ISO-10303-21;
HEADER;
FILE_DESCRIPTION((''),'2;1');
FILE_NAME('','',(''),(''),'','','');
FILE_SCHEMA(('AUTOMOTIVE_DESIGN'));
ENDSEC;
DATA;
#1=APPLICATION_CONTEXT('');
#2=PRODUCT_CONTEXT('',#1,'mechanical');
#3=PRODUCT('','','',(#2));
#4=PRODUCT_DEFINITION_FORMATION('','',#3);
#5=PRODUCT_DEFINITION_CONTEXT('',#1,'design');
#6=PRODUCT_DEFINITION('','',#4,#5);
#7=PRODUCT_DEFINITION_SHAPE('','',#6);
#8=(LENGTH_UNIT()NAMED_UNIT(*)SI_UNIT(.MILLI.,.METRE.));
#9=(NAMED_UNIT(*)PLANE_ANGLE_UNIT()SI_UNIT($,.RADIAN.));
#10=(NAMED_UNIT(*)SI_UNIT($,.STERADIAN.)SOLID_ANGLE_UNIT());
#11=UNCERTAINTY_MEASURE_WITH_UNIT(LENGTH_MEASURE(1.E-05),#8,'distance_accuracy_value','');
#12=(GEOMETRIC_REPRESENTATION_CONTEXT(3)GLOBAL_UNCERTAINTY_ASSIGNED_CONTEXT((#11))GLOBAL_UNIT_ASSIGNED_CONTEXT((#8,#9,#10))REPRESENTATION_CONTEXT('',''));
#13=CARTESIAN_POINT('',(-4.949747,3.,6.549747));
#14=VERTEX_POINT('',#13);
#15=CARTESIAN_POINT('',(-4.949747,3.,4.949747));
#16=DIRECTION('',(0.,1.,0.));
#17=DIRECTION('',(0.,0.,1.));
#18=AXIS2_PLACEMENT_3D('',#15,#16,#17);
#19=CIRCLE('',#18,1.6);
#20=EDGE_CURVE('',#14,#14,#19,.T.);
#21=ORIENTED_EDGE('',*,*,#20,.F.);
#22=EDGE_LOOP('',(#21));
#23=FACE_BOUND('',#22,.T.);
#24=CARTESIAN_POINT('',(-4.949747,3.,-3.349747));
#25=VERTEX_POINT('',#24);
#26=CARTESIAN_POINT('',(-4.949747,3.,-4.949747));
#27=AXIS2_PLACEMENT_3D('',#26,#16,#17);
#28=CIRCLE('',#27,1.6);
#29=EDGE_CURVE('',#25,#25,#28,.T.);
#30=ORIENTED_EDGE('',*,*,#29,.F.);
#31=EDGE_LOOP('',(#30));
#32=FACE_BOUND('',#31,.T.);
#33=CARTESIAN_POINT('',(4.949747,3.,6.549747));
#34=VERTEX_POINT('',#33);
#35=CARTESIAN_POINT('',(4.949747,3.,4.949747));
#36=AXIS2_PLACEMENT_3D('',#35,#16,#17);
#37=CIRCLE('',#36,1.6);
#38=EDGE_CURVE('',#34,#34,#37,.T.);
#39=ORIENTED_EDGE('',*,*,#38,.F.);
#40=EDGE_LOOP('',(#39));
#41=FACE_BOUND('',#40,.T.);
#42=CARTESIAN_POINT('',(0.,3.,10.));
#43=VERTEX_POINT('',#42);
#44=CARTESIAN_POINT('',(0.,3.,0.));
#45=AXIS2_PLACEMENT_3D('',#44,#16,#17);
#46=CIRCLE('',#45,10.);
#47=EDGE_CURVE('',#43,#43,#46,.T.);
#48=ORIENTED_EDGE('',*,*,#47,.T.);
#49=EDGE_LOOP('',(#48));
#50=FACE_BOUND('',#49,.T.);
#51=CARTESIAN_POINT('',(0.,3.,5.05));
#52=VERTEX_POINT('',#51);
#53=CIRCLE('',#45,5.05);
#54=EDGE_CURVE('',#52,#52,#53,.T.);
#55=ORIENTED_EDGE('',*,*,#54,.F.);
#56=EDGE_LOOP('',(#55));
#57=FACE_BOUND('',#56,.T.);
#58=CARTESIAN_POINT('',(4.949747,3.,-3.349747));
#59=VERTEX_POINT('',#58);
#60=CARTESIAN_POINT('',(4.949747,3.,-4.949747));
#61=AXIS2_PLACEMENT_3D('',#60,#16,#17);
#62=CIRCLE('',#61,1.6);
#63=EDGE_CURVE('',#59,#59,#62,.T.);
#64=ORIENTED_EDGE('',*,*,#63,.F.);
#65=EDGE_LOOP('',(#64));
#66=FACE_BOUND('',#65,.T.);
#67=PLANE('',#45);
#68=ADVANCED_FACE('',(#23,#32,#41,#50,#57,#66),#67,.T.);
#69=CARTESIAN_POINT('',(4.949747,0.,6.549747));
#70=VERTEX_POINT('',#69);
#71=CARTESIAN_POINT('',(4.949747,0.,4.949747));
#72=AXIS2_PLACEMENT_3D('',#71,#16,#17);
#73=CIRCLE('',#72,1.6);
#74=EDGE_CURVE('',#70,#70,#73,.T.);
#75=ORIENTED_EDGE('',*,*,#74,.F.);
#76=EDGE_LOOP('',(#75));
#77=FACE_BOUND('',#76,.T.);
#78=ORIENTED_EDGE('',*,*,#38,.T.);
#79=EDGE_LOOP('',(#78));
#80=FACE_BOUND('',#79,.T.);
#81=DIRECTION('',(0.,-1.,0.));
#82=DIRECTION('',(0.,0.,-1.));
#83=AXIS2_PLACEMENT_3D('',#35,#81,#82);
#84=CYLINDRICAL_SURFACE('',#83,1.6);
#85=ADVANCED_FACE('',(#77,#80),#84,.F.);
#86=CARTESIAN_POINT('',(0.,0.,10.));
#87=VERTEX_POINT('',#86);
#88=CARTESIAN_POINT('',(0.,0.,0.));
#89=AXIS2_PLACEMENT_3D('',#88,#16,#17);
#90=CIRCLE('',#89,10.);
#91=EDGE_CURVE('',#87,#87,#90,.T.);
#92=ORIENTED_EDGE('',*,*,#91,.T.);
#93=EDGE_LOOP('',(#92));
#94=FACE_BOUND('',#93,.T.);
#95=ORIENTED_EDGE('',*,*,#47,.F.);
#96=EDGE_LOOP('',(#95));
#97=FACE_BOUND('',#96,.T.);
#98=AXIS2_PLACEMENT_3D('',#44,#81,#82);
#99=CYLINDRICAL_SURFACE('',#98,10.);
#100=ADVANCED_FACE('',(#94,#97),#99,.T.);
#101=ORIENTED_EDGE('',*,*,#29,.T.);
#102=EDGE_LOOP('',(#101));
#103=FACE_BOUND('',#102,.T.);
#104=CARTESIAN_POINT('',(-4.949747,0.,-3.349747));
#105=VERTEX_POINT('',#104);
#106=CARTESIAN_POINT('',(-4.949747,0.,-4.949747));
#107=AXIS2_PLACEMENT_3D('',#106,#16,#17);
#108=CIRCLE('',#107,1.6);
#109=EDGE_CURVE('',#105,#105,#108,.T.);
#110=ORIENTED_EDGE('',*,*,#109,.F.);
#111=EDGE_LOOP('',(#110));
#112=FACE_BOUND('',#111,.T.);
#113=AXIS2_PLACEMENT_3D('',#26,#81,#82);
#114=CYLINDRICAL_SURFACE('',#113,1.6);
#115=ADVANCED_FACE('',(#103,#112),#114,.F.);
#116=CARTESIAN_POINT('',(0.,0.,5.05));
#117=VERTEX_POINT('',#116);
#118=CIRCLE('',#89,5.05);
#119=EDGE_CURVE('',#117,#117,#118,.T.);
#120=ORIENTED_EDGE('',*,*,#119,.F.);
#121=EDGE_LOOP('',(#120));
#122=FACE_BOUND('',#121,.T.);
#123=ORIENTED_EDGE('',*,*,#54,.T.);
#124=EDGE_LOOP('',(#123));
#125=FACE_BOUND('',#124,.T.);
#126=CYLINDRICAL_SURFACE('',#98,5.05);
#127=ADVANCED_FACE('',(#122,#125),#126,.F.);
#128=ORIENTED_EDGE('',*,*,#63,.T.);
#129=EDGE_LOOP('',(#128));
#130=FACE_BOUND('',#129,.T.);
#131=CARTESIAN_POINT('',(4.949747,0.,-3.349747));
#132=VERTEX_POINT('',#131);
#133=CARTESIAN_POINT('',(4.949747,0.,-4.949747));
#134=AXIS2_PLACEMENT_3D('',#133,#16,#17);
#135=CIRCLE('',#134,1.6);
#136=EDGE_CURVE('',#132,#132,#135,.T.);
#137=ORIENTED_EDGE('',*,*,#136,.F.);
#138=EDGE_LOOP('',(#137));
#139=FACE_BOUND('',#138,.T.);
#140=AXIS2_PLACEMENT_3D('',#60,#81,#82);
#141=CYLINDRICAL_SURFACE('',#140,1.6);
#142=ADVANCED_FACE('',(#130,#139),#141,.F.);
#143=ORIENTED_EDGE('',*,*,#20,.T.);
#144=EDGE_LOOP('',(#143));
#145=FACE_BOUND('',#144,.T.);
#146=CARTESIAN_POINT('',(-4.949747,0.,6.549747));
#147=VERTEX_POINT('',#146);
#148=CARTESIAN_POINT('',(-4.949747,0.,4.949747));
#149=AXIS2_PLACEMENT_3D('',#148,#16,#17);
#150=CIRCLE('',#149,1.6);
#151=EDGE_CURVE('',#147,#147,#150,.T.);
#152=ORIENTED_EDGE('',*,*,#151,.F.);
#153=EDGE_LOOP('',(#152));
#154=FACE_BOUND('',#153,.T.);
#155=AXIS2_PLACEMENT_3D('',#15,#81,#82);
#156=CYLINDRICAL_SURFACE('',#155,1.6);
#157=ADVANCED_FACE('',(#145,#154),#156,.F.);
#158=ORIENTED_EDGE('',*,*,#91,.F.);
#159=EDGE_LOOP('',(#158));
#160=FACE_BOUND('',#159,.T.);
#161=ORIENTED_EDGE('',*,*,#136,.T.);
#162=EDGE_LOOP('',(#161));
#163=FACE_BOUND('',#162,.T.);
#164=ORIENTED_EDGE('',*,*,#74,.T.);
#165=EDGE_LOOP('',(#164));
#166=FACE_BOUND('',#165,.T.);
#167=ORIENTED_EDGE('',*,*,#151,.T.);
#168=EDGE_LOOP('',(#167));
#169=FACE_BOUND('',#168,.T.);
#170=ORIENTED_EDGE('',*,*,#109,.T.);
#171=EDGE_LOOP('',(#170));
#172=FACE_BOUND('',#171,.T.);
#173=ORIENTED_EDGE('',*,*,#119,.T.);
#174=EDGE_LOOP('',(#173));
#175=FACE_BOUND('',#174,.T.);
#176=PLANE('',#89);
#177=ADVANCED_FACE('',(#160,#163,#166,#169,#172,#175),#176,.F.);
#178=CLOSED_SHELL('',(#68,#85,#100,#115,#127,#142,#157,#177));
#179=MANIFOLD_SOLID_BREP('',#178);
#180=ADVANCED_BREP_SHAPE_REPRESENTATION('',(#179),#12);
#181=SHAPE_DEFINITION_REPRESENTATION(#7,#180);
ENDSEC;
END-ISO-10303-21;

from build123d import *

# Parameters (mm, degrees)
SKETCH_1_R      = 10
SKETCH_1_R_2    = 5.05
SKETCH_1_R_3    = 1.6
EXTRUDE_1_DEPTH = 3


with BuildPart() as part:
    # 草图1 → 凸台-拉伸1 (new body)
    with BuildSketch(Plane(origin=(0, 0, 0), x_dir=(1, 0, 0), z_dir=(0, 1, 0))):
        with Locations(Location((0, 0, 0), (0, 0, 270))):
            Circle(SKETCH_1_R)
        with Locations(Location((0, 0, 0), (0, 0, 270))):
            Circle(SKETCH_1_R_2, mode=Mode.SUBTRACT)
        with Locations(Location((4.949747468, 4.949747468, 0), (0, 0, 270))):
            Circle(SKETCH_1_R_3, mode=Mode.SUBTRACT)
        with Locations(Location((-4.949747468, 4.949747468, 0), (0, 0, 270))):
            Circle(SKETCH_1_R_3, mode=Mode.SUBTRACT)
        with Locations(Location((-4.949747468, -4.949747468, 0), (0, 0, 270))):
            Circle(SKETCH_1_R_3, mode=Mode.SUBTRACT)
        with Locations(Location((4.949747468, -4.949747468, 0), (0, 0, 270))):
            Circle(SKETCH_1_R_3, mode=Mode.SUBTRACT)
    extrude(amount=EXTRUDE_1_DEPTH)


solid = part.part
